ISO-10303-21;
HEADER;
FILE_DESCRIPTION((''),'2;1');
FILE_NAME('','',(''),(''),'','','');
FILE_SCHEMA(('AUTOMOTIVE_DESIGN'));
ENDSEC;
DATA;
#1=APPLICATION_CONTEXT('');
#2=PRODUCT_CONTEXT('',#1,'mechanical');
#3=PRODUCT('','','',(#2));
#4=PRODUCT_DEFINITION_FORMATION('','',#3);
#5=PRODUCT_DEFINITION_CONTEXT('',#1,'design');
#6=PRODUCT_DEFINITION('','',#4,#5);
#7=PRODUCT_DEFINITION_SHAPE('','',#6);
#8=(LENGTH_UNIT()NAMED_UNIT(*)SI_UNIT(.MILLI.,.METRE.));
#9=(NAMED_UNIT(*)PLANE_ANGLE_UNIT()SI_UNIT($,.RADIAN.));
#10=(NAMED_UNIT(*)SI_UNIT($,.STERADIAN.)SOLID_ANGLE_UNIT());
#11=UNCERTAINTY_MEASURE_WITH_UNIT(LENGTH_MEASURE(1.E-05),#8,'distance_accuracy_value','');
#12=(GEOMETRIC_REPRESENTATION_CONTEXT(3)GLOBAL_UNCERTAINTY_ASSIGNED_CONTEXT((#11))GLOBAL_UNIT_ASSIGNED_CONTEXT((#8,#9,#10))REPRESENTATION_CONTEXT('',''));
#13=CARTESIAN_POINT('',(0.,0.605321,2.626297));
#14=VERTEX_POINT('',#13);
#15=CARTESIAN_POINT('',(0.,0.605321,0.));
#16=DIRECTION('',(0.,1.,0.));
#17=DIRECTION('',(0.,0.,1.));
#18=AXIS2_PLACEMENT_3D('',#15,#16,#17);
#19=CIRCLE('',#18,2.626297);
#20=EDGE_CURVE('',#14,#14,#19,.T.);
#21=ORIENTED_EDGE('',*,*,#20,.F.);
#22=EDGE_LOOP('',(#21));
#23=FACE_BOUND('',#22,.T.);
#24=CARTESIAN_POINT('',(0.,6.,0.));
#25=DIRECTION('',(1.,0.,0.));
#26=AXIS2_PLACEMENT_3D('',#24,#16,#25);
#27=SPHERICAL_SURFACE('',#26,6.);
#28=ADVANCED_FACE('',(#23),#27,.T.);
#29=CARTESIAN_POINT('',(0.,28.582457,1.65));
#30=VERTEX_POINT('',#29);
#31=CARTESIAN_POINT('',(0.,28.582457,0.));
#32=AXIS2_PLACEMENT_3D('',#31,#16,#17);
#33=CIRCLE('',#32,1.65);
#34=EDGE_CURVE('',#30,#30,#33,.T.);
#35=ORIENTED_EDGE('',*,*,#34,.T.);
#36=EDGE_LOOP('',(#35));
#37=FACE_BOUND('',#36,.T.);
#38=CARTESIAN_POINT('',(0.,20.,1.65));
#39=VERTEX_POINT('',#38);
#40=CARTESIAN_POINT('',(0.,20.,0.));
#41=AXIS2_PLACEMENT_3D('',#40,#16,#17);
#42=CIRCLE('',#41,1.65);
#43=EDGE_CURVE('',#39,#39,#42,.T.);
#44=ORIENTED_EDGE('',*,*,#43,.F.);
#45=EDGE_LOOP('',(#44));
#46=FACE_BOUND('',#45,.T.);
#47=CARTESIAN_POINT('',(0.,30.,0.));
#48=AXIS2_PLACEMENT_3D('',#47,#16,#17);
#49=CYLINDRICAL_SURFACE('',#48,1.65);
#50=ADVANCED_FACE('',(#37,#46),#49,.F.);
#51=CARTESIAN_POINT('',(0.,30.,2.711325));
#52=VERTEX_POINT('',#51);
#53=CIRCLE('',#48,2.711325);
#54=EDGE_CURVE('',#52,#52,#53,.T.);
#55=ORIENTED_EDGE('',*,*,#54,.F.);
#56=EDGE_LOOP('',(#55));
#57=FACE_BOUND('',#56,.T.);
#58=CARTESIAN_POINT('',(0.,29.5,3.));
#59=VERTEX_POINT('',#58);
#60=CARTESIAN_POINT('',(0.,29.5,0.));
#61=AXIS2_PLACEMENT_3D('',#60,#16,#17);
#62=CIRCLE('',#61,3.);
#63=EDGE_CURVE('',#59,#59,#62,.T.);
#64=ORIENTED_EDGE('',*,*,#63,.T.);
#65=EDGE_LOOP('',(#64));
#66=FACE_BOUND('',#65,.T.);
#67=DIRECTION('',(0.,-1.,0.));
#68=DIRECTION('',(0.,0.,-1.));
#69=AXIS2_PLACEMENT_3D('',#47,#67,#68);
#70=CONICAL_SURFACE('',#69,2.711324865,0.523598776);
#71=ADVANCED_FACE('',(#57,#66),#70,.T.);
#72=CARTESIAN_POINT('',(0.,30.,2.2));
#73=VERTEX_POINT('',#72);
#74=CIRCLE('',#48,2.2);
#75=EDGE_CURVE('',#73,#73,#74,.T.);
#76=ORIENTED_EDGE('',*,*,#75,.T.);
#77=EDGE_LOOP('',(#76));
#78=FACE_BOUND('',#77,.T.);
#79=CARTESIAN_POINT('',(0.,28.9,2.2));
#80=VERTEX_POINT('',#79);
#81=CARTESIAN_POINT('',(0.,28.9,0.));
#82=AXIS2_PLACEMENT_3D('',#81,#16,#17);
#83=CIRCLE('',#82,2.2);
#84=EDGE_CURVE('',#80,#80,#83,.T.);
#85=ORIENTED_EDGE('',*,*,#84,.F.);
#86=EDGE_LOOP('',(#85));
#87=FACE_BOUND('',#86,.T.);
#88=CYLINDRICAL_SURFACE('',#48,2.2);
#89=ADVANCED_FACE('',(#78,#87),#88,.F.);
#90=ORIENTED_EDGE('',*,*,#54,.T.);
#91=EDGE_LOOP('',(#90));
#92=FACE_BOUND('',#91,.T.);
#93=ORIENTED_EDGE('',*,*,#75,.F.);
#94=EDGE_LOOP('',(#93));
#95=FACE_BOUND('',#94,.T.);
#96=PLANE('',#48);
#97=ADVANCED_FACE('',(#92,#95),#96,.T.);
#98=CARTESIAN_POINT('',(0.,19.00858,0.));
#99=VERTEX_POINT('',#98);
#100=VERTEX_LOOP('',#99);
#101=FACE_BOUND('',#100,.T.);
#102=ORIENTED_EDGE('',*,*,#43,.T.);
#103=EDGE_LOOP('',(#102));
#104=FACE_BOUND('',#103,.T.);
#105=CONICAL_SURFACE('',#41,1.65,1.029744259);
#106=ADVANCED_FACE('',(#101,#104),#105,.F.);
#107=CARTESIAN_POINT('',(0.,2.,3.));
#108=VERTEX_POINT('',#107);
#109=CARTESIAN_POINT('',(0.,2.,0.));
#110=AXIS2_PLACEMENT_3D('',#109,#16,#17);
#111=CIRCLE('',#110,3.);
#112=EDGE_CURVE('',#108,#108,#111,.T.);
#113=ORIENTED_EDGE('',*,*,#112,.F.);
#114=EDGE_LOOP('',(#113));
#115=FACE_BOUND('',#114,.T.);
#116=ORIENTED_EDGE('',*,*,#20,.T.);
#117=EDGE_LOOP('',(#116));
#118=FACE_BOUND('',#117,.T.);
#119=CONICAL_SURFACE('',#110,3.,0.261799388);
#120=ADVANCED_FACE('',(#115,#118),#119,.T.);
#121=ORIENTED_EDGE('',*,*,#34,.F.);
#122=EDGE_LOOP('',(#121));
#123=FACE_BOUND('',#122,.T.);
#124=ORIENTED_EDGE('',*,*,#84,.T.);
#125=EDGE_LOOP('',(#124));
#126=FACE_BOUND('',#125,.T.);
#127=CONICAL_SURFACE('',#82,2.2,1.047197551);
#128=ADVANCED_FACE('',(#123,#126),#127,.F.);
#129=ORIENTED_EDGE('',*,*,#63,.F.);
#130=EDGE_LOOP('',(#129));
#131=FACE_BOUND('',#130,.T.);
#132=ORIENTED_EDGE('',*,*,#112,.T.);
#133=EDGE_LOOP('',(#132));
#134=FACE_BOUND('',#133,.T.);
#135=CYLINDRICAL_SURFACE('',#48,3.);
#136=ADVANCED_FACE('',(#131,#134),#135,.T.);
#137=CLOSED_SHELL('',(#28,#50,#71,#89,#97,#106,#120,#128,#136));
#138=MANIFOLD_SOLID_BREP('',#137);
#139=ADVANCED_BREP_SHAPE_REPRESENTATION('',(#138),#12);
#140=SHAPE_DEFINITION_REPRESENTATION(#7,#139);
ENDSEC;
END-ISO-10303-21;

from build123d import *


with BuildPart() as part:
    # Sketch1 → Revolve1 (revolve)
    with BuildSketch(Plane.XY, mode=Mode.PRIVATE) as revolve1_sk:
        with BuildLine():
            Line((2.711324865, 30), (2.2, 30))
            Line((2.2, 30), (2.2, 28.9))
            Line((2.2, 28.9), (1.65, 28.582457352))
            Line((1.65, 28.582457352), (1.65, 20))
            Line((1.65, 20), (0, 19.008579979))
            Line((0, 19.008579979), (0, 0))
            ThreePointArc((0, 0), (1.347576341, 0.153288274), (2.626296799, 0.605320665))
            Line((2.626296799, 0.605320665), (3, 2))
            Line((3, 2), (3, 29.5))
            Line((3, 29.5), (2.711324865, 30))
        make_face()
    revolve(revolve1_sk.sketch.rotate(Axis((0, 30, 0), (0, -1, 0)), 90), axis=Axis((0, 30, 0), (0, -1, 0)))


solid = part.part
